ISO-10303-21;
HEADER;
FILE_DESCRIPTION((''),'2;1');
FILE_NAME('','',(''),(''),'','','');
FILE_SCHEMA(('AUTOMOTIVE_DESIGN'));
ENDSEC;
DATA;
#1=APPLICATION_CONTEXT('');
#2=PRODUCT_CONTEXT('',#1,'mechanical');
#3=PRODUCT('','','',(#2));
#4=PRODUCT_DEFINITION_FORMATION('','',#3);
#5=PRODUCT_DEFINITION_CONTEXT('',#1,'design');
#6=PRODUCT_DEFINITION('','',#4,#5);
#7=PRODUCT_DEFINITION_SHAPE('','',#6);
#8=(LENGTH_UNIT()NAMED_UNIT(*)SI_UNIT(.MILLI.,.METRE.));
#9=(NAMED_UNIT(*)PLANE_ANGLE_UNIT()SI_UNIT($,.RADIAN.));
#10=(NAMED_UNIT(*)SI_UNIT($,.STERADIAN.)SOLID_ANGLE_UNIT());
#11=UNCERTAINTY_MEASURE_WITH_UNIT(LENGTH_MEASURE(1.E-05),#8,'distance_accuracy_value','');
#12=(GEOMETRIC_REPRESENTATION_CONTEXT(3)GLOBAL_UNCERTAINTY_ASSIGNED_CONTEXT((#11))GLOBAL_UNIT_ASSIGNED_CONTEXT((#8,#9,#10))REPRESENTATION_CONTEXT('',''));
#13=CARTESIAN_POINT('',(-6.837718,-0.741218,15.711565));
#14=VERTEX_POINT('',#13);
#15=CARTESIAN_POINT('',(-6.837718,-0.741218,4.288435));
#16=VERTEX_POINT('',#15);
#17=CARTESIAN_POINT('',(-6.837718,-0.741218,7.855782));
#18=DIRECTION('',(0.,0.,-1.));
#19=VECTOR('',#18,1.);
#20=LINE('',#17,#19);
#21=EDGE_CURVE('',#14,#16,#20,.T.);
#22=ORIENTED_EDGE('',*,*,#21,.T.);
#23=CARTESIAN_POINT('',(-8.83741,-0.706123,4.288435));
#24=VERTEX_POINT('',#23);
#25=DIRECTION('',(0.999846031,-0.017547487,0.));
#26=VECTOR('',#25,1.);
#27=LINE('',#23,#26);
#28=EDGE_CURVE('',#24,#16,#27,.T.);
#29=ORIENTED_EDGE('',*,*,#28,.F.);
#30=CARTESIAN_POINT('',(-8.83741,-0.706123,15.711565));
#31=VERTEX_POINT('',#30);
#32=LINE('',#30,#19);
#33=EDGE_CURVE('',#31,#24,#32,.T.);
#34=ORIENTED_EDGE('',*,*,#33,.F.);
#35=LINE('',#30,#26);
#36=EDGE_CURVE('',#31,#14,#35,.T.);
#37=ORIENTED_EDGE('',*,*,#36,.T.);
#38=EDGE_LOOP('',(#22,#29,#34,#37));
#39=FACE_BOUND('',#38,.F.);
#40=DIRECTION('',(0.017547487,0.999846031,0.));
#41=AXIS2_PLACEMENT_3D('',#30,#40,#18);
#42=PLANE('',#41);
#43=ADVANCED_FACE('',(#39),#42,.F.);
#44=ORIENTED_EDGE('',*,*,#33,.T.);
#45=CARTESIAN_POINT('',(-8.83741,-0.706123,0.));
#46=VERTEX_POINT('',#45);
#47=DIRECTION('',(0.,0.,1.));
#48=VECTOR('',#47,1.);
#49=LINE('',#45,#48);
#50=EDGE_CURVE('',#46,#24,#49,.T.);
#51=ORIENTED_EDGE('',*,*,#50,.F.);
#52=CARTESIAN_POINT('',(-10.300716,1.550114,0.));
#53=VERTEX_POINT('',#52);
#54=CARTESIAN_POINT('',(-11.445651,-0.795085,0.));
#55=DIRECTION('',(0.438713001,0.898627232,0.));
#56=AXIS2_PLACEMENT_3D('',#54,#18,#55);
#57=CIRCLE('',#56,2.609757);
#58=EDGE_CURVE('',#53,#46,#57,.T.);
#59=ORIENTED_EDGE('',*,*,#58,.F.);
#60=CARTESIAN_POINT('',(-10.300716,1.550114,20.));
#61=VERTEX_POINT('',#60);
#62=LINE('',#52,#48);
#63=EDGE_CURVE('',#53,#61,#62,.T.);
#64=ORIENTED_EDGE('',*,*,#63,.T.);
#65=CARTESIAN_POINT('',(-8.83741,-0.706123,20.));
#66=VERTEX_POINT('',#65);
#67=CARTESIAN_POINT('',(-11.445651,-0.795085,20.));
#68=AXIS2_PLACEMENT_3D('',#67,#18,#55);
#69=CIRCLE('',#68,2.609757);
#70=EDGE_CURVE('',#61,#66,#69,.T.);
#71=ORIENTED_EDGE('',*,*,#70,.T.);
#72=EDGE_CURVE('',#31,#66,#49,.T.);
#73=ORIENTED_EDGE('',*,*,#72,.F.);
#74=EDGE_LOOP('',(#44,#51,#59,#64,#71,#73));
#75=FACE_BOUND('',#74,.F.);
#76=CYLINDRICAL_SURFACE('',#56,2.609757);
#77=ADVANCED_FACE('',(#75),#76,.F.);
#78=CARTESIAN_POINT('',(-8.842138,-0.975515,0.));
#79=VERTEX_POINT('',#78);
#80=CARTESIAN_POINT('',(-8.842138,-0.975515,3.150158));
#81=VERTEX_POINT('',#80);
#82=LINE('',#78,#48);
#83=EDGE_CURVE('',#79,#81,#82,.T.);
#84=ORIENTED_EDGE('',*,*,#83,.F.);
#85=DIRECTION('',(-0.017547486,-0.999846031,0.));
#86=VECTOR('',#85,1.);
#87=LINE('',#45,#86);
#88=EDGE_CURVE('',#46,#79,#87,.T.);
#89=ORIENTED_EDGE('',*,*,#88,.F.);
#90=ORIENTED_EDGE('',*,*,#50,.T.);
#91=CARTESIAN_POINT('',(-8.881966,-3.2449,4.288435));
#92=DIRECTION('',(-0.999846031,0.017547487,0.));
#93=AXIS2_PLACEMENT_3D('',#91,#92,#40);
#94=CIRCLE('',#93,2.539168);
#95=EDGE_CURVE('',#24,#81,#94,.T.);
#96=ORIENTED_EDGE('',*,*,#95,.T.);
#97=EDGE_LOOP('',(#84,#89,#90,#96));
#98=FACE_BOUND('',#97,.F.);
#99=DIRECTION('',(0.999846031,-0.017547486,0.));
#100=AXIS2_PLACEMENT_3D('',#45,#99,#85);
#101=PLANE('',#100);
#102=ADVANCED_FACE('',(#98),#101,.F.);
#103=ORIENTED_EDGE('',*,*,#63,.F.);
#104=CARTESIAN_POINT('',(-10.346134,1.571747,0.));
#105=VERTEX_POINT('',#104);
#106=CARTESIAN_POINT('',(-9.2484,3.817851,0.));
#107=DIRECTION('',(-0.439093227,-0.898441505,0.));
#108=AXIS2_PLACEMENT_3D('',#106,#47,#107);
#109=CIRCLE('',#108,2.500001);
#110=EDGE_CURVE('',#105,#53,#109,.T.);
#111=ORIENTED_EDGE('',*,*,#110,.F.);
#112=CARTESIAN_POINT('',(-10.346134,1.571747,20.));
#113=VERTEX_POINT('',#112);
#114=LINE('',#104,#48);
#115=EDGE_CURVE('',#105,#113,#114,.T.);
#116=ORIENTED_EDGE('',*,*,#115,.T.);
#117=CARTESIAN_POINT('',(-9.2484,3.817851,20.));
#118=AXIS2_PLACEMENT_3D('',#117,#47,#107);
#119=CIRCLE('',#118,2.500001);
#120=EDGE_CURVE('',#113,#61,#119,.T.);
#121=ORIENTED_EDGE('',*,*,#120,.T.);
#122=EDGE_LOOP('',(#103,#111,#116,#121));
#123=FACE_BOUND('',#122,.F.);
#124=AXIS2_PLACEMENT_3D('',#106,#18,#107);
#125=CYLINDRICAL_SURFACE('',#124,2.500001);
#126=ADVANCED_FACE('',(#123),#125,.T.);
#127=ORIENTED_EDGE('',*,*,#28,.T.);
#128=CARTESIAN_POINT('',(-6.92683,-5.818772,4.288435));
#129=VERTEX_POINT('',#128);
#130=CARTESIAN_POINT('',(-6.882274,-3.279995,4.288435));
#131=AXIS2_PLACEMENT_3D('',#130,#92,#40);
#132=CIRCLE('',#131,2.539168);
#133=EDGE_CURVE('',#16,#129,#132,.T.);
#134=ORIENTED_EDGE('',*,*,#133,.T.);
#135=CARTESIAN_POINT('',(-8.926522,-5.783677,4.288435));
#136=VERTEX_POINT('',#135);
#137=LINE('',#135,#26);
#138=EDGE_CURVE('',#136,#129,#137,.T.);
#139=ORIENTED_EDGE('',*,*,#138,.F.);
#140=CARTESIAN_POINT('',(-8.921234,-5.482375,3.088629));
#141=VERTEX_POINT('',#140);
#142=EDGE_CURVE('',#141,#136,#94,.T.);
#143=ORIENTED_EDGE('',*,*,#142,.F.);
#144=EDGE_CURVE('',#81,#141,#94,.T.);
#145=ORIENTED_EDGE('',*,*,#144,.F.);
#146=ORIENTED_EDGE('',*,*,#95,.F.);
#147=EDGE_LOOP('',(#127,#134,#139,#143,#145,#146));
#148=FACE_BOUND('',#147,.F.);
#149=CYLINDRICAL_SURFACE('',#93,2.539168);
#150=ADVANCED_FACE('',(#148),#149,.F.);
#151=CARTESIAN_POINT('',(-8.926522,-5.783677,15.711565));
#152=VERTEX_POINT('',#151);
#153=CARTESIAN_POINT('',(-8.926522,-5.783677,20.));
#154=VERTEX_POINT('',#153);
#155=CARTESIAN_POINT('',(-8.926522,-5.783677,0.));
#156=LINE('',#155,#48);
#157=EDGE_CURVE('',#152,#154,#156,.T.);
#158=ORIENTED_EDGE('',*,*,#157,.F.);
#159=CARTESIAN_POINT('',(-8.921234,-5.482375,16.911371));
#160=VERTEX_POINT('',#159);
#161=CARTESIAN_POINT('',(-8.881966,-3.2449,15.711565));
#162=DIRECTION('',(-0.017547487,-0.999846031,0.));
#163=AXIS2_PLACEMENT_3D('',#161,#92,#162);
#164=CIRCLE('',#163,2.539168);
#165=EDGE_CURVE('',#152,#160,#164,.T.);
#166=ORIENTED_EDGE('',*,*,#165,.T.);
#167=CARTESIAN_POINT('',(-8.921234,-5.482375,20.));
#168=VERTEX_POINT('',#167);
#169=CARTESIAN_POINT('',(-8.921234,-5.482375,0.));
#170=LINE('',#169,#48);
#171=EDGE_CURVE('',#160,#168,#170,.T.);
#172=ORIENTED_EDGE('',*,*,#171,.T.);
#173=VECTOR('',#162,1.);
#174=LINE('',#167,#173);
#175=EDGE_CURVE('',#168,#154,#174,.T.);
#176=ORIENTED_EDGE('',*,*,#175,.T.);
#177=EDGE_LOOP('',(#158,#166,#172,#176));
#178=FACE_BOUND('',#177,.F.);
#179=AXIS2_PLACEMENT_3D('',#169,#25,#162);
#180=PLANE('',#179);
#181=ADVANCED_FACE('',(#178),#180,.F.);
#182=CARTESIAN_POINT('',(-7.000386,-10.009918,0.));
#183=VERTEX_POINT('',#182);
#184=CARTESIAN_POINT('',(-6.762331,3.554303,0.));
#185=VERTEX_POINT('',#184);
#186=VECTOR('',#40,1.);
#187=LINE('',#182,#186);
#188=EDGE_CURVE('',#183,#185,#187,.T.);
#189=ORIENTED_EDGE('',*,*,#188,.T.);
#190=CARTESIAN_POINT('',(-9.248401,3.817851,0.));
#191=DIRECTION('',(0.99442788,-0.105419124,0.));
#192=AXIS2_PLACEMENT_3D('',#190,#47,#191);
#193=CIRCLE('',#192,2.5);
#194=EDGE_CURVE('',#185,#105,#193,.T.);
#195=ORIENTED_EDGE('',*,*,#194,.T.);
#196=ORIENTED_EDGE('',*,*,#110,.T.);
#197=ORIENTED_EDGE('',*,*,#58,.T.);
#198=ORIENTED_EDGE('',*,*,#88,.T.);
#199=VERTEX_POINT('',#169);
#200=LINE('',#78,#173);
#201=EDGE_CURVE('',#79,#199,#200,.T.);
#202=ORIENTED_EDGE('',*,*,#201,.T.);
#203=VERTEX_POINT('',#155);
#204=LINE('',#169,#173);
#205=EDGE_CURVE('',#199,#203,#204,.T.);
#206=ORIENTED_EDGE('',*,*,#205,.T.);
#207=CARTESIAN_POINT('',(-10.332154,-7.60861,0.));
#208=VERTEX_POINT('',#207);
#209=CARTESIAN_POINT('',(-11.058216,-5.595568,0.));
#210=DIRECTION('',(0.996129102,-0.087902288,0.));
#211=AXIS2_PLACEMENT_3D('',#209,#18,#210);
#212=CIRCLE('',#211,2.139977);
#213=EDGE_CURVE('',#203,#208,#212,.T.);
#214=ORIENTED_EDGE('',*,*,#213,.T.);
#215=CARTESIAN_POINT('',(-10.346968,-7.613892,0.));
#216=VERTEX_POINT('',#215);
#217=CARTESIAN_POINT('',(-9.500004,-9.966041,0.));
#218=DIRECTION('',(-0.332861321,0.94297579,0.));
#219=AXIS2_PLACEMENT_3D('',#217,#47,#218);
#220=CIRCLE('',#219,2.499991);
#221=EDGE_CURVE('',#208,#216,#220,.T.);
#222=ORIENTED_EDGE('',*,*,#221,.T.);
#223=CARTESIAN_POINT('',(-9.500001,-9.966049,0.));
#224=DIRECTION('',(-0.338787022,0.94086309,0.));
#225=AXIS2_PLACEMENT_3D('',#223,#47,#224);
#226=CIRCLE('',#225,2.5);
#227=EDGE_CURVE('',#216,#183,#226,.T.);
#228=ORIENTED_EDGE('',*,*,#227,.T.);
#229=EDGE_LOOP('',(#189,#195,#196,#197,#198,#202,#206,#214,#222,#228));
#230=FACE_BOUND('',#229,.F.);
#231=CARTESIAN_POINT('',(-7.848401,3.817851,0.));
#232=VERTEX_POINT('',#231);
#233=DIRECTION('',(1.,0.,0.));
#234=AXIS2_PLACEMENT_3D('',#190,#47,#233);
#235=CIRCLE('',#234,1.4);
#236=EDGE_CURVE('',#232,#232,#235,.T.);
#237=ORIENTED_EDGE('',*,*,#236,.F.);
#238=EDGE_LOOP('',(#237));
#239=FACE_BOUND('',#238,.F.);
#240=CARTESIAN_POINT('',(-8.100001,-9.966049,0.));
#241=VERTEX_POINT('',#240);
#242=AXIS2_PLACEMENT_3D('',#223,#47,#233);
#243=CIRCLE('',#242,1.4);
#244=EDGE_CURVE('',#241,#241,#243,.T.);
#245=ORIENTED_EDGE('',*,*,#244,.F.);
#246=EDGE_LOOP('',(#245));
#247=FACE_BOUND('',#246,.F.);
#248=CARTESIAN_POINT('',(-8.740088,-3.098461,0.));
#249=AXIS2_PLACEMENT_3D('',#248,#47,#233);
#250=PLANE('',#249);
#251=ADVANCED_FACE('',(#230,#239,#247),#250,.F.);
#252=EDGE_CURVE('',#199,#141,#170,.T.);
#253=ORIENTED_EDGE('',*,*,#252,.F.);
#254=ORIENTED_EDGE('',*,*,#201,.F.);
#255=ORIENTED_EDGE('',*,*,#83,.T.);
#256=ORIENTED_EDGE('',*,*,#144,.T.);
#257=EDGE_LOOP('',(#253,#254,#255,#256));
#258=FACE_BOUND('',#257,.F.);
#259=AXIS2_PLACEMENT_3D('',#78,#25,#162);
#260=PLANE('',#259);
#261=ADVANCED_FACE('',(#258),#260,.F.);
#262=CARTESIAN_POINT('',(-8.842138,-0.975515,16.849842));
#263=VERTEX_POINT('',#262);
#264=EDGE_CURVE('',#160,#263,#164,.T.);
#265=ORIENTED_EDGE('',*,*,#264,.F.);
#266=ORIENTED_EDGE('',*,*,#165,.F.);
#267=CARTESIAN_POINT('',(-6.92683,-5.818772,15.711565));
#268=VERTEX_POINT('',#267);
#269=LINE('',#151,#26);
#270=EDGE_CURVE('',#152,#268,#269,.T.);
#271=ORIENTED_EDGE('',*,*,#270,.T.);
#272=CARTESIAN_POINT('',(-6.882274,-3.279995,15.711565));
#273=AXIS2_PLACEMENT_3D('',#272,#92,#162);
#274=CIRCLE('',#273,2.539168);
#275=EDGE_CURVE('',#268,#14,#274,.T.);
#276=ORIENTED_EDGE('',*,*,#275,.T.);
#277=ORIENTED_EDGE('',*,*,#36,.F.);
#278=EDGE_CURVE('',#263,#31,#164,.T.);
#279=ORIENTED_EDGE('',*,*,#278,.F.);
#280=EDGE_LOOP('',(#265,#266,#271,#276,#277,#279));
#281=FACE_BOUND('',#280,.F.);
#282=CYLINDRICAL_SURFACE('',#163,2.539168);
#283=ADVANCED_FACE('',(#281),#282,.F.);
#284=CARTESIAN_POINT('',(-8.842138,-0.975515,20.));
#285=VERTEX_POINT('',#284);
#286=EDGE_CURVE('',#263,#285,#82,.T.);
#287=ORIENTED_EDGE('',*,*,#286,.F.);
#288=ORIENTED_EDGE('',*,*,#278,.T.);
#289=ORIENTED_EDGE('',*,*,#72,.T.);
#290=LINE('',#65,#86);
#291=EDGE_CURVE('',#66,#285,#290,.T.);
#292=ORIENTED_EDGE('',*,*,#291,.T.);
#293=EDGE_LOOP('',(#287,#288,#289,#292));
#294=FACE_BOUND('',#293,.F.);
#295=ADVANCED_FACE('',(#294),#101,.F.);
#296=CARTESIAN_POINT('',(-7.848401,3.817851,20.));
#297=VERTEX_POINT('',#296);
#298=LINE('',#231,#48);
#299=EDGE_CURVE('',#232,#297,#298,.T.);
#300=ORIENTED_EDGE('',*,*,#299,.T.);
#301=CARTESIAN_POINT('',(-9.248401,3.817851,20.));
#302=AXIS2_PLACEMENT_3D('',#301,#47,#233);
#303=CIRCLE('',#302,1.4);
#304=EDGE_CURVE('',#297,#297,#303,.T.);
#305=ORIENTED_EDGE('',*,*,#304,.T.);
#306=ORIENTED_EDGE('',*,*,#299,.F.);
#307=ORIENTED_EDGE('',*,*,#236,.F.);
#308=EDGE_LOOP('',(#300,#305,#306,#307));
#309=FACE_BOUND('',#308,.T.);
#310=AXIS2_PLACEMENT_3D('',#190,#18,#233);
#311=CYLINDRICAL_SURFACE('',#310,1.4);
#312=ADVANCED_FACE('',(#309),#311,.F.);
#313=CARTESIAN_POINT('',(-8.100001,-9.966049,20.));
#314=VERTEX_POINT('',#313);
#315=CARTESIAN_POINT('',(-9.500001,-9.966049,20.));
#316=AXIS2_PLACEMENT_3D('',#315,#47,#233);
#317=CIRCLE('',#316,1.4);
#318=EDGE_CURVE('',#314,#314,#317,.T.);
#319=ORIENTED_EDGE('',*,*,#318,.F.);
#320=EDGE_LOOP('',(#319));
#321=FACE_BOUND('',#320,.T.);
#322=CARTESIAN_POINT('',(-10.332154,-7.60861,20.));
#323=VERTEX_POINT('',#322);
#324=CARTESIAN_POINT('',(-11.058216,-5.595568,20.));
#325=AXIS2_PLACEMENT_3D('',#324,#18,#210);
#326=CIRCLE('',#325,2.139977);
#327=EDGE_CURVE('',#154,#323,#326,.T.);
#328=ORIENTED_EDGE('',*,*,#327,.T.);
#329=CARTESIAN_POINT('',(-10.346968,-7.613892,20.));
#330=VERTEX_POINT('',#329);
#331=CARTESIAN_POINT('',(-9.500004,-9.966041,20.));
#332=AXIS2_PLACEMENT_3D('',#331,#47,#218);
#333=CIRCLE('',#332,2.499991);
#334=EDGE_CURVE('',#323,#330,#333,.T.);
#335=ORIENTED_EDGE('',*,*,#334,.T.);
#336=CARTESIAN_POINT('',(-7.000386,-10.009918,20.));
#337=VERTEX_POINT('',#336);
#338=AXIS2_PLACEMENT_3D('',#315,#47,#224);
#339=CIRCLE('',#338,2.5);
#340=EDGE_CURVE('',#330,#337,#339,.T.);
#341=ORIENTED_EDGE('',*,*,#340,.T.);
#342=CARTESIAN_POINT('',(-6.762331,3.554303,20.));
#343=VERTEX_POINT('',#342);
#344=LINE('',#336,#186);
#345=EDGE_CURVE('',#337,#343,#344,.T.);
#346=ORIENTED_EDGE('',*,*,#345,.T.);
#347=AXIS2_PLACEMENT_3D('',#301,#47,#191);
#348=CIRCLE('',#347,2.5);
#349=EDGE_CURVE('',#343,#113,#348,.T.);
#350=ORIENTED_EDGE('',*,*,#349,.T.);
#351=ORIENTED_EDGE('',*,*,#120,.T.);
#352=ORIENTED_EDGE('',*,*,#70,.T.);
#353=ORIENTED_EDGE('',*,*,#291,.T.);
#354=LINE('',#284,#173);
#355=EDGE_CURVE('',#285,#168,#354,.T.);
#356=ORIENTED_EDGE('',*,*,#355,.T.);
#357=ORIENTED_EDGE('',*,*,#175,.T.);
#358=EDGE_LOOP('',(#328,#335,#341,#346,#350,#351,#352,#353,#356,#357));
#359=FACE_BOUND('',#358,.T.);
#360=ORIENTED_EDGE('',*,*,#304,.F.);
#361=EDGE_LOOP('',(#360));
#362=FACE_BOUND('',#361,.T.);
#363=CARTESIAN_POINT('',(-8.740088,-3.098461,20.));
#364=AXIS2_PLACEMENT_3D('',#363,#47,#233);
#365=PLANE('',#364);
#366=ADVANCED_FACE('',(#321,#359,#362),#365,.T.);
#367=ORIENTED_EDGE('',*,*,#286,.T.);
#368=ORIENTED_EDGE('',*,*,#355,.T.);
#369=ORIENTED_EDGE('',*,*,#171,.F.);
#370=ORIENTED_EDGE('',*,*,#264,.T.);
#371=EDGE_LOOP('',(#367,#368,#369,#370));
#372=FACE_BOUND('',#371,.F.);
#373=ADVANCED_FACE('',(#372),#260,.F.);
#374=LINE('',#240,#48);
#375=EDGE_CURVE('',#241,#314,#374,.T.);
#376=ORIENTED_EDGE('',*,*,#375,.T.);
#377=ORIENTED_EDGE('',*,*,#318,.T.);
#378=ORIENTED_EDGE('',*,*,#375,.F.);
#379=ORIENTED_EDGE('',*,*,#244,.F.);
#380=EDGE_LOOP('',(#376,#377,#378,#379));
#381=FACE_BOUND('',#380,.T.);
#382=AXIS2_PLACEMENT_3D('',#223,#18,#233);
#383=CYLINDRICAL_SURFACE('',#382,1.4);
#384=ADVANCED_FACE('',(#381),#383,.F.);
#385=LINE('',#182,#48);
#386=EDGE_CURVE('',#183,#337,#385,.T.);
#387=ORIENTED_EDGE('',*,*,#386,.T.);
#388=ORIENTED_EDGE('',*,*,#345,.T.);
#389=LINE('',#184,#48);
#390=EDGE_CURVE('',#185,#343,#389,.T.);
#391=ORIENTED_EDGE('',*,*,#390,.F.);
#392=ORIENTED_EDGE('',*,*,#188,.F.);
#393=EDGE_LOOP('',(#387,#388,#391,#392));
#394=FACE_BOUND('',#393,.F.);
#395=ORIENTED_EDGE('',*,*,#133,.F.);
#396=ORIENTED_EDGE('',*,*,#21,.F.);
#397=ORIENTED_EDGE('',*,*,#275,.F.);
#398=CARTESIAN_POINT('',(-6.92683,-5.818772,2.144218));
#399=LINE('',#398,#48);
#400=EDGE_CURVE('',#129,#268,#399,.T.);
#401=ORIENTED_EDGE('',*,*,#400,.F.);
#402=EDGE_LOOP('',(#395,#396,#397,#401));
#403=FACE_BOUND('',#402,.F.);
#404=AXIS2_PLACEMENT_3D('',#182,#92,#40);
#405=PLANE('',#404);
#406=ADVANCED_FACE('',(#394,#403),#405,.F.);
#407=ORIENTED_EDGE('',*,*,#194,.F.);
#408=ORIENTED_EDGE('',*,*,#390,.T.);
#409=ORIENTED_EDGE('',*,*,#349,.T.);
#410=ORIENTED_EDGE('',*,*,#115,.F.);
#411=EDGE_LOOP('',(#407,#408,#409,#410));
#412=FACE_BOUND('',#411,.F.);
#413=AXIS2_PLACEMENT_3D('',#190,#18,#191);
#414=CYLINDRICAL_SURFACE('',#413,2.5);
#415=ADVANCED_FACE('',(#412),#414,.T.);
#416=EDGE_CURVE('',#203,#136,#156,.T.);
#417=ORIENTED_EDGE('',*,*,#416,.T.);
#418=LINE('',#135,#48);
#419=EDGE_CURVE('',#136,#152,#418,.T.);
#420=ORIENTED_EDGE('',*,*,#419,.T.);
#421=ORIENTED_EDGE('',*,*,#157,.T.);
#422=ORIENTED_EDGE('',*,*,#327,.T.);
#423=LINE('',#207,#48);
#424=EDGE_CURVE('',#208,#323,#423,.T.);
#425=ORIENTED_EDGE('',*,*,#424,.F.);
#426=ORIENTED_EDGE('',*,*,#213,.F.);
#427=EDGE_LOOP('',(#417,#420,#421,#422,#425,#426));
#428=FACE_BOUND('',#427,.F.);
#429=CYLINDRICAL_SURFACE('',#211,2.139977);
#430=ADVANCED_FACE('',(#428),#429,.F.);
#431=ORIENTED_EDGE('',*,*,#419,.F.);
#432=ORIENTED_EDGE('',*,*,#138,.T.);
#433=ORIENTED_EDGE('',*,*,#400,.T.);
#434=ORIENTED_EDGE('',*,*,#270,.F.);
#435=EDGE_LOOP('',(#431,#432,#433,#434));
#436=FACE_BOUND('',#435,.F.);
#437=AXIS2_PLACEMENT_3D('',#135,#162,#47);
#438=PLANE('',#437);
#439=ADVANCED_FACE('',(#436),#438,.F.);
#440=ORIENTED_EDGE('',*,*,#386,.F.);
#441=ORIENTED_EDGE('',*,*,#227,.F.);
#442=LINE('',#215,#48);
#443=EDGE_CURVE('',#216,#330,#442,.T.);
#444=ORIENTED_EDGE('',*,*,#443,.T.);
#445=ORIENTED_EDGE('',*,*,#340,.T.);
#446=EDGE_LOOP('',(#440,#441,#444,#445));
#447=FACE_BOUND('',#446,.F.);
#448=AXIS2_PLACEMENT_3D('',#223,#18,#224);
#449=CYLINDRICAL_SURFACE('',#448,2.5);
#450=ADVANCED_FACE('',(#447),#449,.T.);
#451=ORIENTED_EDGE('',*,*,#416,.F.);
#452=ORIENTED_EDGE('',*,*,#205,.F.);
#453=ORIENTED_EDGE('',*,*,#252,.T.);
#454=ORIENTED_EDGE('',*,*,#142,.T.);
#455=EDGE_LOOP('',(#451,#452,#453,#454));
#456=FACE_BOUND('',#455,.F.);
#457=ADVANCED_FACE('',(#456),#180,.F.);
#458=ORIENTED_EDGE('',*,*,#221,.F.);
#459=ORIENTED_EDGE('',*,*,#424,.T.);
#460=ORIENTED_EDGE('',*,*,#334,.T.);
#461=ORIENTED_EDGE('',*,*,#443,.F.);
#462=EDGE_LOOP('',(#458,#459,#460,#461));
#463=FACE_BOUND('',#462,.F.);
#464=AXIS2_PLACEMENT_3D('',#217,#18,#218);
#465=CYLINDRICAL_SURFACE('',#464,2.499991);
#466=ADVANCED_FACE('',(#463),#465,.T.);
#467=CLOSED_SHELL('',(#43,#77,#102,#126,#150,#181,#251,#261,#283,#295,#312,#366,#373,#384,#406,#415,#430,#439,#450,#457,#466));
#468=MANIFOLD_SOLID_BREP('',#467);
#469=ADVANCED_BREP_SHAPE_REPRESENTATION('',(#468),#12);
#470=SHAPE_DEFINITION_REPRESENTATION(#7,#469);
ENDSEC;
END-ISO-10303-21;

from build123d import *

# Parameters (mm, degrees)
F0_R     = 1.4
F1_DEPTH = 20
F3_DEPTH = 25


with BuildPart() as f1:
    # F0 (on Top) → F1 (new body)
    with BuildSketch(Plane.XY):
        with BuildLine():
            Line((-7.0003855483, -10.0099180601), (-6.7623309092, 3.5543028464))
            ThreePointArc((-6.7623309092, 3.5543028464), (-10.4585665785, 6.0054288438), (-10.3461336795, 1.5717468952))
            ThreePointArc((-10.3461336795, 1.5717468952), (-10.3233728773, 1.5610396555), (-10.3007163302, 1.5501135413))
            ThreePointArc((-10.3007163302, 1.5501135413), (-9.2560773016, 0.6249853883), (-8.8374101803, -0.706123413))
            ThreePointArc((-8.8374101803, -0.706123413), (-8.8362952804, -0.8408801673), (-8.8421380502, -0.9755148131))
            Line((-8.8421380502, -0.9755148131), (-8.9212343032, -5.4823753058))
            ThreePointArc((-8.9212343032, -5.4823753058), (-8.9185680619, -5.6331193754), (-8.9265222058, -5.7836770552))
            ThreePointArc((-8.9265222058, -5.7836770552), (-9.3628437334, -6.9014074118), (-10.3321539521, -7.6086098761))
            ThreePointArc((-10.3321539521, -7.6086098761), (-10.33956522, -7.6112390978), (-10.3469681809, -7.6138916189))
            ThreePointArc((-10.3469681809, -7.6138916189), (-10.9553516609, -11.9987700238), (-7.0003855483, -10.0099180601))
        make_face()
        with Locations((-9.5000006258, -9.9660493433)):
            Circle(F0_R, mode=Mode.SUBTRACT)
        with Locations((-9.248400609, 3.8178506564)):
            Circle(F0_R, mode=Mode.SUBTRACT)
        with BuildLine():
            ThreePointArc((-10.3007163302, 1.5501135413), (-10.3233728773, 1.5610396555), (-10.3461336795, 1.5717468952))
            ThreePointArc((-10.3461336795, 1.5717468952), (-10.323479421, 1.5608159761), (-10.3007163302, 1.5501135413))
        make_face()
        with BuildLine():
            ThreePointArc((-8.8421380502, -0.9755148131), (-8.8362952804, -0.8408801673), (-8.8374101803, -0.706123413))
            Line((-8.8374101803, -0.706123413), (-8.8421380502, -0.9755148131))
        make_face()
        with BuildLine():
            Line((-8.9212343032, -5.4823753058), (-8.9265222058, -5.7836770552))
            ThreePointArc((-8.9265222058, -5.7836770552), (-8.9185680619, -5.6331193754), (-8.9212343032, -5.4823753058))
        make_face()
    extrude(amount=F1_DEPTH)

    # F2 (on face) → F3 (cut)
    with BuildSketch(Plane(origin=(-8.822300232, 0.1548330356, 0), x_dir=(-0.0175474867, -0.999846031, 0), z_dir=(-0.999846031, 0.0175474867, 0))):
        with BuildLine():
            Line((5.939424578, 4.2884354293), (5.939424578, 15.7115645707))
            ThreePointArc((5.939424578, 15.7115645707), (3.4002568038, 18.2507323449), (0.8610890296, 15.7115645707))
            Line((0.8610890296, 15.7115645707), (0.8610890296, 4.2884354293))
            ThreePointArc((0.8610890296, 4.2884354293), (3.4002568038, 1.7492676551), (5.939424578, 4.2884354293))
        make_face()
    extrude(amount=-F3_DEPTH, mode=Mode.SUBTRACT)


solid = f1.part
